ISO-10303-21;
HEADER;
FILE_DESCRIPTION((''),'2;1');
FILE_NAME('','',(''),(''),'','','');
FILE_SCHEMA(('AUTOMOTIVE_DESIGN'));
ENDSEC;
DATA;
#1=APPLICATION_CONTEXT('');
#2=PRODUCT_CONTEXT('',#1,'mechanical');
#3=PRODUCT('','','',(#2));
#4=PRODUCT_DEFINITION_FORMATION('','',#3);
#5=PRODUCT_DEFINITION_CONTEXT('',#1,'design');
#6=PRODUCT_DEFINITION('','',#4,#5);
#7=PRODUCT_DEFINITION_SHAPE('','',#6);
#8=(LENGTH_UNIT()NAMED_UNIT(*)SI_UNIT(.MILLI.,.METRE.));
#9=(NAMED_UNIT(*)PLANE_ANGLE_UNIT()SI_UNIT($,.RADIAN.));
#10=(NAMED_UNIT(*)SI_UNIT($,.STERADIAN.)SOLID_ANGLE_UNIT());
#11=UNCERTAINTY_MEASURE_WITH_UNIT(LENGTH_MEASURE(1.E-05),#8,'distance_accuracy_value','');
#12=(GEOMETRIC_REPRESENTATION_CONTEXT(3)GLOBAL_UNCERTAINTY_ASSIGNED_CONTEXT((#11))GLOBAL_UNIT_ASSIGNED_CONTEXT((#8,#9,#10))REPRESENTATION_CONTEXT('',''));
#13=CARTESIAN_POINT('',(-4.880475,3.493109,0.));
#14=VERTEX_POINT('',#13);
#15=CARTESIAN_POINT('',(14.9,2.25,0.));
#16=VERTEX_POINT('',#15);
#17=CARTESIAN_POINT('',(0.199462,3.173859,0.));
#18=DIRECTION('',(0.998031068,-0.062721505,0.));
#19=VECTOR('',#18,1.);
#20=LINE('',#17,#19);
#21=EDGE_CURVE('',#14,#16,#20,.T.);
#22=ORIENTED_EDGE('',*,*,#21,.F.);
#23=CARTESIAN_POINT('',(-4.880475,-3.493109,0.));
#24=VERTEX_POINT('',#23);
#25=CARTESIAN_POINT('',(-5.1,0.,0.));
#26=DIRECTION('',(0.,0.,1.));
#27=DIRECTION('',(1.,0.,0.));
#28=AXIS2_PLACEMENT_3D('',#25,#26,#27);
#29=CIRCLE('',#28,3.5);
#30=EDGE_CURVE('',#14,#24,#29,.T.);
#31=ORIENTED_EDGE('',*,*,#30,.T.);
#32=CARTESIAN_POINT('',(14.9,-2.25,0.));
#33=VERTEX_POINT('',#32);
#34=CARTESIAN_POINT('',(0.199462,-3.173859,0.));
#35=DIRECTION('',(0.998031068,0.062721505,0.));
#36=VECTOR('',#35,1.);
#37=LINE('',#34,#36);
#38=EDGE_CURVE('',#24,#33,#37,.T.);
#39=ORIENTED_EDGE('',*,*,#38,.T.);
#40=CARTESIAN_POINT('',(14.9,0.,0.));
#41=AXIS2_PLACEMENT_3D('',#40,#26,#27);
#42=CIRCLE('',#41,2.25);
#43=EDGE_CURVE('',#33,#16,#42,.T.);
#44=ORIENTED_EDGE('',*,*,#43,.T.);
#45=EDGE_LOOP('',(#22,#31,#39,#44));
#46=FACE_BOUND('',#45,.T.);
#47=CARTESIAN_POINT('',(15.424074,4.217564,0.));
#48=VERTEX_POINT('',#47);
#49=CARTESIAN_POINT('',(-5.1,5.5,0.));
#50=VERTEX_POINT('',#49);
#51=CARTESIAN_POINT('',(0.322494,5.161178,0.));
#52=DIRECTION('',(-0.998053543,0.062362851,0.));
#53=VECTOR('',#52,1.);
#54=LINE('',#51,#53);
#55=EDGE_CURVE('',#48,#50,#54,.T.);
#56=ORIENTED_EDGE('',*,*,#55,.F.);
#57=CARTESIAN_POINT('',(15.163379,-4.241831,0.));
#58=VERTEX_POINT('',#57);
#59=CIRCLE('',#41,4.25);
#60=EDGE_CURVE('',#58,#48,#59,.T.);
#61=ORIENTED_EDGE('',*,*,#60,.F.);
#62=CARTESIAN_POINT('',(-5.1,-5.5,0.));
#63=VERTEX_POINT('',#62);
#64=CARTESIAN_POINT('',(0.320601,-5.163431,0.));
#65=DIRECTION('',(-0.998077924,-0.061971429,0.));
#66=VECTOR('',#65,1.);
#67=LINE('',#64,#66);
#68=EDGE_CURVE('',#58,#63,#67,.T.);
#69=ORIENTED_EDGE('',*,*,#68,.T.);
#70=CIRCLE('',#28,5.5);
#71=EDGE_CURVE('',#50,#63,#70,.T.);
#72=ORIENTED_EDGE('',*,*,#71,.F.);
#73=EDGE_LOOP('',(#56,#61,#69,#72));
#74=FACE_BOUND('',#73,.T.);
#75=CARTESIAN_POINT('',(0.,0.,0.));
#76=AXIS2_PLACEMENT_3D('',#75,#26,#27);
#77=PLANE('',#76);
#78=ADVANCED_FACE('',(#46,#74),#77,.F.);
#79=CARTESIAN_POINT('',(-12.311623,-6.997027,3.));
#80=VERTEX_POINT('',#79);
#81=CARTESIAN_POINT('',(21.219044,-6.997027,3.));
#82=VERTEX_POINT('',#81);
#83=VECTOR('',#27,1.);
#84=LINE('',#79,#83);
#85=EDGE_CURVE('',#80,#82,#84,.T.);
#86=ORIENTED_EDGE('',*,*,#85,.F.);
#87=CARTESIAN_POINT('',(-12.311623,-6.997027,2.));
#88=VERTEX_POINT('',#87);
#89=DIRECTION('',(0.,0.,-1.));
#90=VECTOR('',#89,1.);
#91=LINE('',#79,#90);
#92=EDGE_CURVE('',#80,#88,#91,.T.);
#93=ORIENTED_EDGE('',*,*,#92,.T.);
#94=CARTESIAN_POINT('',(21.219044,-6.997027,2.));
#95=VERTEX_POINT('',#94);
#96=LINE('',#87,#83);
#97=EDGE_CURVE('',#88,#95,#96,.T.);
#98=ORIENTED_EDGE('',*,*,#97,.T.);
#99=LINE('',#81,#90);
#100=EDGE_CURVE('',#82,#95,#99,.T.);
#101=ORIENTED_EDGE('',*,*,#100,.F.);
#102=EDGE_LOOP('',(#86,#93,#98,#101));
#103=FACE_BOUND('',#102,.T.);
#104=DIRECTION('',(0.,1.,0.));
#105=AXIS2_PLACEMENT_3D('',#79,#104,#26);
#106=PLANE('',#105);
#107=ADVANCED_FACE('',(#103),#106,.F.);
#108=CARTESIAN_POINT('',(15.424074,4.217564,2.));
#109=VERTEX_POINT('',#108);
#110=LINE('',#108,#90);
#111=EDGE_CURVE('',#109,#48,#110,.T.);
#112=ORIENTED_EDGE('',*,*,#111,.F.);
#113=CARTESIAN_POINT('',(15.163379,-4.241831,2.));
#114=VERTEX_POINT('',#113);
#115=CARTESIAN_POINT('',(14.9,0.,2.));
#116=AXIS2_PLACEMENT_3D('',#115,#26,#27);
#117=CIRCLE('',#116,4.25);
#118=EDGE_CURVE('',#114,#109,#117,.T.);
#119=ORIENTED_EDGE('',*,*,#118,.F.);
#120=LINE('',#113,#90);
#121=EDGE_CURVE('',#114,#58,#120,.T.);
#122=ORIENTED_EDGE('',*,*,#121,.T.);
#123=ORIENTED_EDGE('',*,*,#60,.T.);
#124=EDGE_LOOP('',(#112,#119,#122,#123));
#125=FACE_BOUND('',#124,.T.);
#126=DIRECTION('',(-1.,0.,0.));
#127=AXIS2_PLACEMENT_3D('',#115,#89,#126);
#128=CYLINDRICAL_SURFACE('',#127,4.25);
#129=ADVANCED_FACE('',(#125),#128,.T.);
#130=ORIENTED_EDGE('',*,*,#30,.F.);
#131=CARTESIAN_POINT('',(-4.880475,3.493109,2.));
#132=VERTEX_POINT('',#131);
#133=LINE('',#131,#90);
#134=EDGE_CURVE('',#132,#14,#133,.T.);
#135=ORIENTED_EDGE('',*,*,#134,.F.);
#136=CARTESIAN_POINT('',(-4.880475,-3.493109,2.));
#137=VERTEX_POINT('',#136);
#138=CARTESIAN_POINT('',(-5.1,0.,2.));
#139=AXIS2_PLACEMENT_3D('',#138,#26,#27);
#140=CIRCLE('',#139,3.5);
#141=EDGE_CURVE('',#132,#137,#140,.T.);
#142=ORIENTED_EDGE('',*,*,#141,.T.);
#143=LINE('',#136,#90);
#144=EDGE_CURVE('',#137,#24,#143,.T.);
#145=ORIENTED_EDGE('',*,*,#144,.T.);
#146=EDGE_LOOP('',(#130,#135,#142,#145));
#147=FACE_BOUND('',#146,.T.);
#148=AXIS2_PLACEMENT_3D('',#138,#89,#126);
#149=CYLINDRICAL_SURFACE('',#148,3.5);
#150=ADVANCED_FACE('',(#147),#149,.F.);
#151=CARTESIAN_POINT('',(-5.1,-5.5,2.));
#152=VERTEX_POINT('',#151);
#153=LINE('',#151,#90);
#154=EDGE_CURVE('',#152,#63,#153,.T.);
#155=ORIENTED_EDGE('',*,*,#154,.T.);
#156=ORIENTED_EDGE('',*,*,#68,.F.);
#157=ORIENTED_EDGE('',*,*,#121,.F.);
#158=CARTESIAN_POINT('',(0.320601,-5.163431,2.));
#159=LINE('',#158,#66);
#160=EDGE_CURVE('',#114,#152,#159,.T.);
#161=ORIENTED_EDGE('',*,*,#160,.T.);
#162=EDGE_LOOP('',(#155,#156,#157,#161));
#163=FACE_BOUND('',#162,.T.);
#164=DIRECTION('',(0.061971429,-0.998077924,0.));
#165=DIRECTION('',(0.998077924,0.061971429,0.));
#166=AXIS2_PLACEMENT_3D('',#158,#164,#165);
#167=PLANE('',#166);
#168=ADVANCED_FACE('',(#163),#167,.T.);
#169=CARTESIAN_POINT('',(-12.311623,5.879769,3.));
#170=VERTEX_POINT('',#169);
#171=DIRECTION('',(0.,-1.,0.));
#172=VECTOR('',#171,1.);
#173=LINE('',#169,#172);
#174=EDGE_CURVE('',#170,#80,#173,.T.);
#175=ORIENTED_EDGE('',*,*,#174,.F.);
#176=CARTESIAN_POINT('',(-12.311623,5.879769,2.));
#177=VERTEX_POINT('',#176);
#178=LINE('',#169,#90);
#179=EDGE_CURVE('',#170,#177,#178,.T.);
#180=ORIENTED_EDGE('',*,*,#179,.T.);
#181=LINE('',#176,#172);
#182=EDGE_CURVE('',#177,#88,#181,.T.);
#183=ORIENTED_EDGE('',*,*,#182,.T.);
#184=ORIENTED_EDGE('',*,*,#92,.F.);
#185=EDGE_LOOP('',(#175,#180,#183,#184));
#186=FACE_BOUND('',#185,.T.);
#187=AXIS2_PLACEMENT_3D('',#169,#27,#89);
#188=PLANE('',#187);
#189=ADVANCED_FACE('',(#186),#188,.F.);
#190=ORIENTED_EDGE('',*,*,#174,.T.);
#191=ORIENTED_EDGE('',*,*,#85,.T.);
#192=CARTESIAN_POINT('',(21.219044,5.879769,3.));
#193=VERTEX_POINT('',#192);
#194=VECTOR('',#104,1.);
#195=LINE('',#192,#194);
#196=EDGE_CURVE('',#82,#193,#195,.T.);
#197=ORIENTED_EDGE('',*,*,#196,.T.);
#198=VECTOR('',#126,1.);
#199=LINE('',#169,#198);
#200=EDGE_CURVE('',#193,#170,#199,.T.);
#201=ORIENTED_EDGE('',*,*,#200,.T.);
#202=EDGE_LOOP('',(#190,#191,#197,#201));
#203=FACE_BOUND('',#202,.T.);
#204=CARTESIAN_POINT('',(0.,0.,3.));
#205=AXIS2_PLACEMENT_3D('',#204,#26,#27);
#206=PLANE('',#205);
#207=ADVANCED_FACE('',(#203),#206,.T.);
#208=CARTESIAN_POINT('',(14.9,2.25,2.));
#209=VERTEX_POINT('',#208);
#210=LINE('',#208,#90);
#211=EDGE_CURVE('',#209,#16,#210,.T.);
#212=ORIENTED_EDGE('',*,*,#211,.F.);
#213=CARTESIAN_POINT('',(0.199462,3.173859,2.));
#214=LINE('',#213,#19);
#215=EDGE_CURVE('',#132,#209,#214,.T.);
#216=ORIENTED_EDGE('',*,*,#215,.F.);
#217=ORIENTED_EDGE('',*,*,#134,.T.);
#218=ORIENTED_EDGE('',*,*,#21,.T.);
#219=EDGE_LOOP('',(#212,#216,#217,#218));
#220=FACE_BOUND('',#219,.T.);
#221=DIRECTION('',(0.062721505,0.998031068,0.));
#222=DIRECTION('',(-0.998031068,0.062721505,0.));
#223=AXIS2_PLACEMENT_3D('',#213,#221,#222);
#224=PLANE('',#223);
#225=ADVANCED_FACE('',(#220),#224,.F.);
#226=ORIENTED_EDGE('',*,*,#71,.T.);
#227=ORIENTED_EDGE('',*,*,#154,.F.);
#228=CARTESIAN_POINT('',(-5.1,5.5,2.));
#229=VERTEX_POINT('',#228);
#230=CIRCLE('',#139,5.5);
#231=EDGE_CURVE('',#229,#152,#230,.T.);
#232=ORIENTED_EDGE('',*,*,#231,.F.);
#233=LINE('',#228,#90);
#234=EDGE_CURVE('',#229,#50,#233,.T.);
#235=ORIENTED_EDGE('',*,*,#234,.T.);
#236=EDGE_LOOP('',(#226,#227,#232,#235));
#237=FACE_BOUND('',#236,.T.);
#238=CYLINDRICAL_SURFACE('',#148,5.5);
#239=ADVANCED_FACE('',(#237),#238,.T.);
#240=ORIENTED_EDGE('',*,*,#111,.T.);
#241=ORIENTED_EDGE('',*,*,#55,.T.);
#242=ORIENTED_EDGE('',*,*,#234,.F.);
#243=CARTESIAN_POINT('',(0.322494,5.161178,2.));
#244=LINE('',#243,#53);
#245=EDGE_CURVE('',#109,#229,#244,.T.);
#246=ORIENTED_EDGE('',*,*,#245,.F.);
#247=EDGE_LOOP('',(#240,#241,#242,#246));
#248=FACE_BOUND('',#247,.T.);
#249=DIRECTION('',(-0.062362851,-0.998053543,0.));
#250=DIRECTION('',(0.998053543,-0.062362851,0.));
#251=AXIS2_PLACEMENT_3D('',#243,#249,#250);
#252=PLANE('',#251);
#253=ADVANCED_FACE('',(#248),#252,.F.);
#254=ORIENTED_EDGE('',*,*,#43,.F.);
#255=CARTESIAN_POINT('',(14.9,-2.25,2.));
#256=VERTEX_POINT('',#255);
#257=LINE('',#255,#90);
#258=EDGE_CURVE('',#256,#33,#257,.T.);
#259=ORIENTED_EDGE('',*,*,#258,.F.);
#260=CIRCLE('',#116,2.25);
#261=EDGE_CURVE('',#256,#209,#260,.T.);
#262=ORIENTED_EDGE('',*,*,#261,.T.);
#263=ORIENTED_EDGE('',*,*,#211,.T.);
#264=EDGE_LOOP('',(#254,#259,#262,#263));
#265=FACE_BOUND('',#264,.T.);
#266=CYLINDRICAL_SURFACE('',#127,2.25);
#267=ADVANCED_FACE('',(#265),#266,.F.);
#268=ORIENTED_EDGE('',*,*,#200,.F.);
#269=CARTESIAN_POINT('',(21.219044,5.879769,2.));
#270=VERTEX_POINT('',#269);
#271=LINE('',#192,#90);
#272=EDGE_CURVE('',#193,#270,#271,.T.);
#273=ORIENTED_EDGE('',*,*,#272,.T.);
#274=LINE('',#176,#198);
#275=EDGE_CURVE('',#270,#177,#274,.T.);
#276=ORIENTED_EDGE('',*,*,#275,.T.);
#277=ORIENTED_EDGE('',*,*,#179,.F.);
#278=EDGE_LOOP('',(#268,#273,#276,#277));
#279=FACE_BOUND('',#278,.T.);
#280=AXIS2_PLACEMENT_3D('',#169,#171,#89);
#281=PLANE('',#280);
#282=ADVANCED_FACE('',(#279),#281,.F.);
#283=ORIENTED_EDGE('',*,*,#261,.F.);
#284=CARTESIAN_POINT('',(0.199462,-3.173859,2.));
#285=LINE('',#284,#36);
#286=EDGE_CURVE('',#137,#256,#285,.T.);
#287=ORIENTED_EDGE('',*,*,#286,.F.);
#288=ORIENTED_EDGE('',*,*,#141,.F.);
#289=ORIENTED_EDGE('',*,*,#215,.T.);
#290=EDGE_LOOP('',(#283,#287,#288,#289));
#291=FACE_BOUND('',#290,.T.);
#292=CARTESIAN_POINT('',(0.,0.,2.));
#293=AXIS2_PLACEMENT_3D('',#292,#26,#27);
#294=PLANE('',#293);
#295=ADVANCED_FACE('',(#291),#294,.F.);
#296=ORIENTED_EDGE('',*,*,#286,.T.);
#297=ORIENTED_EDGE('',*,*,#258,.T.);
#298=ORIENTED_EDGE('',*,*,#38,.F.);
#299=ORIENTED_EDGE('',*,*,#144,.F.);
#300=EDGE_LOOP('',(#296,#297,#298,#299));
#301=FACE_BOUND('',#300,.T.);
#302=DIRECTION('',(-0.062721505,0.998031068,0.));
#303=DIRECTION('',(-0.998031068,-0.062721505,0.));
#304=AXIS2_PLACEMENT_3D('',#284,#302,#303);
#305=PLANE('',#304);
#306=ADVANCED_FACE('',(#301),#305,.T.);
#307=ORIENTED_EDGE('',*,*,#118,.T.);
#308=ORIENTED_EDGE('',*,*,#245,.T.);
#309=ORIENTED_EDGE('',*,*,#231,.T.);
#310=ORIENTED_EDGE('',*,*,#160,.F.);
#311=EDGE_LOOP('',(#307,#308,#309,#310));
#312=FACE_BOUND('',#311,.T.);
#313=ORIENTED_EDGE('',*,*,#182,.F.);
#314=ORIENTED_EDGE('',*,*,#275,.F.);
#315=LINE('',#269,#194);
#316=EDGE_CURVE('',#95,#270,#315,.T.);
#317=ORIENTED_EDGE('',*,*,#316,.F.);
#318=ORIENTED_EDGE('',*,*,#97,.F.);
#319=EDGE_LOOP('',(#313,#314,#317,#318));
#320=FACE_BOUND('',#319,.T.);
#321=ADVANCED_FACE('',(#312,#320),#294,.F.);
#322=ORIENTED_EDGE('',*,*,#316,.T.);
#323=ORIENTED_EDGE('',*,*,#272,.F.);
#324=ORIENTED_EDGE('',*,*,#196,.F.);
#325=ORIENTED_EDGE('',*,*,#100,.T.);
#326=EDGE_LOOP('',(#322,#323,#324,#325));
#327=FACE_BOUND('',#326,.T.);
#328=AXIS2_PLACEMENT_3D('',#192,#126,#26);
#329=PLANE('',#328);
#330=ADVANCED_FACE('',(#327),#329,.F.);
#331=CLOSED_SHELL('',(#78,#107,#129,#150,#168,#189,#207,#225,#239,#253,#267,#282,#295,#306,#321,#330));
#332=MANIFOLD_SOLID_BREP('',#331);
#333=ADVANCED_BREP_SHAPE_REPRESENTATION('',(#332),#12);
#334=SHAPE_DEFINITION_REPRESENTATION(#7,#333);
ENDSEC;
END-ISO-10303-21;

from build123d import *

# Parameters (mm, degrees)
BOSS_EXTRUDE1_DEPTH = 2
SKETCH2_W           = 33.530667502
SKETCH2_H           = 12.876796265
BOSS_EXTRUDE2_DEPTH = 1


with BuildPart() as part:
    # Sketch1 → Boss-Extrude1 (new body)
    with BuildSketch(Plane(origin=(0, 0, 0), x_dir=(-1, 0, 0), z_dir=(0, 0, 1))):
        with BuildLine():
            Line((4.419624532, 5.457754962), (-15.163378573, 4.241831176))
            ThreePointArc((-15.163378573, 4.241831176), (-19.147983311, 0.130911389), (-15.424074318, -4.217564002))
            Line((-15.424074318, -4.217564002), (-14.905016784, -4.249997039))
            Line((-14.905016784, -4.249997039), (4.41534389, -5.457219623))
            Line((4.41534389, -5.457219623), (5.1, -5.5))
            ThreePointArc((5.1, -5.5), (10.6, 0), (5.1, 5.5))
            Line((5.1, 5.5), (4.419624532, 5.457754962))
        make_face()
        with BuildLine():
            Line((-14.9, 2.25), (4.880474733, 3.493108738))
            ThreePointArc((4.880474733, 3.493108738), (8.6, 0), (4.880474733, -3.493108738))
            Line((4.880474733, -3.493108738), (-14.9, -2.25))
            ThreePointArc((-14.9, -2.25), (-17.15, 0), (-14.9, 2.25))
        make_face(mode=Mode.SUBTRACT)
    extrude(amount=BOSS_EXTRUDE1_DEPTH)

    # Sketch2 → Boss-Extrude2 (add)
    with BuildSketch(Plane.XY.offset(2)):
        with Locations((4.453710744, -0.558629325)):
            Rectangle(SKETCH2_W, SKETCH2_H)
    extrude(amount=BOSS_EXTRUDE2_DEPTH)


solid = part.part
